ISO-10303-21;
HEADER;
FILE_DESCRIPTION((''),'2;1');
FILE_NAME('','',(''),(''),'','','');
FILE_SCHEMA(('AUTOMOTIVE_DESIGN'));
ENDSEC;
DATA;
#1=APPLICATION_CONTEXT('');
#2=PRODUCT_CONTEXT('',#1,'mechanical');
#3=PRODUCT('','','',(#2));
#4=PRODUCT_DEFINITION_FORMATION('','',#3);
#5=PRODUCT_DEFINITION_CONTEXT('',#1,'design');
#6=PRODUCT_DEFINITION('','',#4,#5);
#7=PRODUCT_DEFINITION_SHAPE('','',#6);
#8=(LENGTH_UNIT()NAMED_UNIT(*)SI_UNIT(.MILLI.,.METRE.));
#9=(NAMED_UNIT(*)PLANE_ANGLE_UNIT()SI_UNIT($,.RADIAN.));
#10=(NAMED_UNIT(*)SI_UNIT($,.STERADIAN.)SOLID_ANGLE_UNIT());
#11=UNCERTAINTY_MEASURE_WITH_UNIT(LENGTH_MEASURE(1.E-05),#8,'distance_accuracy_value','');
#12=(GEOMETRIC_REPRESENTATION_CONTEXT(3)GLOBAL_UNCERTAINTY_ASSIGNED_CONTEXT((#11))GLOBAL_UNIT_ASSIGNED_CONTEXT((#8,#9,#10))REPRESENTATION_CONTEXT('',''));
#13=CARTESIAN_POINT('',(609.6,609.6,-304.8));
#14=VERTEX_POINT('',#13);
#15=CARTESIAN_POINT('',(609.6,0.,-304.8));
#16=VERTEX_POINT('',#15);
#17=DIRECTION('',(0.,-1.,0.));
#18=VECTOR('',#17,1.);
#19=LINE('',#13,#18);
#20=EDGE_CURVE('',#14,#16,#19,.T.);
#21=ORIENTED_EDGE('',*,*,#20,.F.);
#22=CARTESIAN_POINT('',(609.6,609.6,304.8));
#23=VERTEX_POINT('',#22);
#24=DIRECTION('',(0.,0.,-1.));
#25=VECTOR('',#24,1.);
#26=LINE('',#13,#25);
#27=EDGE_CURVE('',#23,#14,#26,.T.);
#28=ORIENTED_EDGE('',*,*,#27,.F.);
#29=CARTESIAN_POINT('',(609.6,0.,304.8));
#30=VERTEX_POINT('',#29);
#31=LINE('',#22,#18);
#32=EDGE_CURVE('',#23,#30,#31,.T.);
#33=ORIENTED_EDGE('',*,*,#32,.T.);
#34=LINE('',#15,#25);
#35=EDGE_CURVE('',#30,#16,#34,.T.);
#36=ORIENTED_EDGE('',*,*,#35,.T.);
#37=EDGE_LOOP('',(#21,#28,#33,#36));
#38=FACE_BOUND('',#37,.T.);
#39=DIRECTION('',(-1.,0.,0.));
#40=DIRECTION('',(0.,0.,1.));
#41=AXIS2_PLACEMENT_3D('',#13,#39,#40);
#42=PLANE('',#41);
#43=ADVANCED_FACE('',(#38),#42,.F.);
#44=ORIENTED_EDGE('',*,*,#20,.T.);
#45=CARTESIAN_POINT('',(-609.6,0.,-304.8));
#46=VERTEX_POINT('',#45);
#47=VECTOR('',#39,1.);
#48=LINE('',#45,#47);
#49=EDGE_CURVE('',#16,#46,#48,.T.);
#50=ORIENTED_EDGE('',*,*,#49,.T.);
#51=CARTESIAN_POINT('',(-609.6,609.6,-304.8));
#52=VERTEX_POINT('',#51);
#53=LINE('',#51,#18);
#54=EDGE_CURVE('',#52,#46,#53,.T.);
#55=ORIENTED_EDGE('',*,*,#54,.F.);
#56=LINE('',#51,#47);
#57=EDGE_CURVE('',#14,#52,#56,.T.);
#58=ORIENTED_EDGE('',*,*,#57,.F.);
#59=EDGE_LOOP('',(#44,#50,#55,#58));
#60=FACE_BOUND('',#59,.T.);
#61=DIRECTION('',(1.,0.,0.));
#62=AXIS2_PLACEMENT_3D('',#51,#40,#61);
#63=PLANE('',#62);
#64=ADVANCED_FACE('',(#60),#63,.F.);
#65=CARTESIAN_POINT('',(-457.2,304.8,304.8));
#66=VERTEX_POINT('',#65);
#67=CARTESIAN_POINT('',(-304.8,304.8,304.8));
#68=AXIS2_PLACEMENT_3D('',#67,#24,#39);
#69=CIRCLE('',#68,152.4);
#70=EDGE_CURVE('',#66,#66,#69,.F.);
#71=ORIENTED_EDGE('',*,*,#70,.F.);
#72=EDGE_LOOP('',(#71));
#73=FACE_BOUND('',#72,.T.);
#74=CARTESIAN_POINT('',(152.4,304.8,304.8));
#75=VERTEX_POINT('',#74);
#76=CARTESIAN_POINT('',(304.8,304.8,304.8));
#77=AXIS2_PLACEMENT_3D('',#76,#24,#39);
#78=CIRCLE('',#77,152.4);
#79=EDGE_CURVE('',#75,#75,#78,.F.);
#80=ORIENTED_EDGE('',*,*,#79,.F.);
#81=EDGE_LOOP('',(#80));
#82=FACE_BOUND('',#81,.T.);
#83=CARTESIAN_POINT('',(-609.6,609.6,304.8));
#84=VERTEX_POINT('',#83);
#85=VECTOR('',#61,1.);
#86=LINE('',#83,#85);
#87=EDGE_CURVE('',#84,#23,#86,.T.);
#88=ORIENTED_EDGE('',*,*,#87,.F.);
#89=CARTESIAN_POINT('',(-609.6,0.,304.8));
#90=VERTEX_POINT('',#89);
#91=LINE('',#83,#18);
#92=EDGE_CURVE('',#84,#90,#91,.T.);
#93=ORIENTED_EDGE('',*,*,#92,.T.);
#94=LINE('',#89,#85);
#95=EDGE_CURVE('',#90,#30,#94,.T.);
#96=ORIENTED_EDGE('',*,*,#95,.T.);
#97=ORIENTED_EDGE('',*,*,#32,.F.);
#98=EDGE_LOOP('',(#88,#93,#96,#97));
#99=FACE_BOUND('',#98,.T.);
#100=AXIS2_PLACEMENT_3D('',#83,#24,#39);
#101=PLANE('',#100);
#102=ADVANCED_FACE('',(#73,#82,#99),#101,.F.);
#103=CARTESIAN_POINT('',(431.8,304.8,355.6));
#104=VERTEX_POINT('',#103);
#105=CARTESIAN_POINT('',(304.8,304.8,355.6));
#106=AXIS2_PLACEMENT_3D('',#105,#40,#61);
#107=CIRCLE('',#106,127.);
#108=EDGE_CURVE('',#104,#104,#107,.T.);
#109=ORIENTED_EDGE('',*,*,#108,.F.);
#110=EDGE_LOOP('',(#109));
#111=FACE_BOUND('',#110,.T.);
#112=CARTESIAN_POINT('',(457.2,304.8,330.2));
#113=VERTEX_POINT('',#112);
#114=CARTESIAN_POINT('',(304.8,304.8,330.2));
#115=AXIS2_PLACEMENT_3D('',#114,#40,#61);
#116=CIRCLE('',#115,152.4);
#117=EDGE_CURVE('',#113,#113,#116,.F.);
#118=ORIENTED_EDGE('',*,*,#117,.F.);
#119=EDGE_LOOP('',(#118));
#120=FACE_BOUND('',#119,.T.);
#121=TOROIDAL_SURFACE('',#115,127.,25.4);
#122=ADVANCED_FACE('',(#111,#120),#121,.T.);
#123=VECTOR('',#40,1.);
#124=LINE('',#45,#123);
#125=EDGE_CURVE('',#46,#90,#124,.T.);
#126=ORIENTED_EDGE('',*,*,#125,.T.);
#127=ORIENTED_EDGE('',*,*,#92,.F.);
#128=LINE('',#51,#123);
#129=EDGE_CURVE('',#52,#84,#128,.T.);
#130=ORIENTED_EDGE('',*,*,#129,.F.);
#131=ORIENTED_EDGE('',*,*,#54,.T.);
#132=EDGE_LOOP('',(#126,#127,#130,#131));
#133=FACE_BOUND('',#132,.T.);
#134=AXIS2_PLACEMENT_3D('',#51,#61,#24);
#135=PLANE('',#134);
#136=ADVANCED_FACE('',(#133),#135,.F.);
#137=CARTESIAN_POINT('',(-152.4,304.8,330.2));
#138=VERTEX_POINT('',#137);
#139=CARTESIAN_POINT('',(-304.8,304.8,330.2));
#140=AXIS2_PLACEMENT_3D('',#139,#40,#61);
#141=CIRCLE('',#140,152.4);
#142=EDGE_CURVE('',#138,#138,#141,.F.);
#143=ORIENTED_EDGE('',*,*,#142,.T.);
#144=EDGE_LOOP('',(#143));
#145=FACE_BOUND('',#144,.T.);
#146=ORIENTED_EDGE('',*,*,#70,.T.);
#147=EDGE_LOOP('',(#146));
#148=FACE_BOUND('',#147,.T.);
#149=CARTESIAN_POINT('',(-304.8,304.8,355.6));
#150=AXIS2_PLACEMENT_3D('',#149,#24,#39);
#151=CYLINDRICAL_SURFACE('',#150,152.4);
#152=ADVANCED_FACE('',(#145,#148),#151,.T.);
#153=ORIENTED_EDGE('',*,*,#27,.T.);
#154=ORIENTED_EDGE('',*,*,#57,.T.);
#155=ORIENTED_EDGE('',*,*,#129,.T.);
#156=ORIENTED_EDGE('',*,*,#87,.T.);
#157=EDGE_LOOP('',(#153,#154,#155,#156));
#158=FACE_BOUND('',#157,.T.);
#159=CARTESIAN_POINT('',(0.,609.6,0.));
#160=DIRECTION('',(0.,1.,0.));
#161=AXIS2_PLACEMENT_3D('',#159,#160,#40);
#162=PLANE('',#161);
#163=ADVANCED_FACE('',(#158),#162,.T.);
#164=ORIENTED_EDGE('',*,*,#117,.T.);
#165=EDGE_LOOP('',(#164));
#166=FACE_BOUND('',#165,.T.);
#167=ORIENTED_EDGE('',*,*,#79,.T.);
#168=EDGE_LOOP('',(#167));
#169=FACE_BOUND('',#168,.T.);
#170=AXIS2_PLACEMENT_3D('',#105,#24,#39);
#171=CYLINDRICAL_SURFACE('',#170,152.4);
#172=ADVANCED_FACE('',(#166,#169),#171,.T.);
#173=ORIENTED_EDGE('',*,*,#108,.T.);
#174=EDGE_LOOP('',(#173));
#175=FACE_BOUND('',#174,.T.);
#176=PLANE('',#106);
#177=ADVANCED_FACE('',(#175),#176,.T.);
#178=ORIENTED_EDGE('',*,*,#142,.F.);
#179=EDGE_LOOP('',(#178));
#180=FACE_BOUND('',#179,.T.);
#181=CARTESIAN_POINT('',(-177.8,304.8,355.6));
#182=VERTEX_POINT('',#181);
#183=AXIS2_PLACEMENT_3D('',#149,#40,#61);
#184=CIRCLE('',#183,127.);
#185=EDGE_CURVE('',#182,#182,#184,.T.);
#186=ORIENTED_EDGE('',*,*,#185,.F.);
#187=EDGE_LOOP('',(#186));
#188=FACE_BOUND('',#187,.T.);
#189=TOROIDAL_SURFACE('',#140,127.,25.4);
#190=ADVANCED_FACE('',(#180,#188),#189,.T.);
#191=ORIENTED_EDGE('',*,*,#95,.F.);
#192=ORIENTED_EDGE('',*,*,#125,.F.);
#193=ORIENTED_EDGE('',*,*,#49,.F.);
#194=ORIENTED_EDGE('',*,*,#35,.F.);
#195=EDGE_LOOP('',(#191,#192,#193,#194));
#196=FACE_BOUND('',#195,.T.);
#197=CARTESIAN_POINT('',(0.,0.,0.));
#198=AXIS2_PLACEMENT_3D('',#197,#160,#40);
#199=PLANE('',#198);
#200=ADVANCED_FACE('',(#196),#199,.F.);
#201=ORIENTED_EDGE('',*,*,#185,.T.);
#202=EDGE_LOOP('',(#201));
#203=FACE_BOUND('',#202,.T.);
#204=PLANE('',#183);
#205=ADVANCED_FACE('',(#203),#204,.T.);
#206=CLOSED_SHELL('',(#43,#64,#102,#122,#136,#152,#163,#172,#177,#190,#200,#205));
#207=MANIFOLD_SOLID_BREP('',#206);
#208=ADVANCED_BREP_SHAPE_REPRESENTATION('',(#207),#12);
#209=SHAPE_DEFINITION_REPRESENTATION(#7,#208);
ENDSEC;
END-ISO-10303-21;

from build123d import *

# Parameters (mm, degrees)
SKETCH1_W           = 1219.2
SKETCH1_H           = 609.6
BOSS_EXTRUDE1_DEPTH = 609.6
SKETCH2_R           = 152.4
BOSS_EXTRUDE2_DEPTH = 50.8
FILLET1_R           = 25.4


with BuildPart() as part:
    # Sketch1 → Boss-Extrude1 (new body)
    with BuildSketch(Plane(origin=(0, 0, 0), x_dir=(1, 0, 0), z_dir=(0, 1, 0))):
        Rectangle(SKETCH1_W, SKETCH1_H)
    extrude(amount=BOSS_EXTRUDE1_DEPTH)

    # Sketch2 → Boss-Extrude2 (add)
    with BuildSketch(Plane.XY.offset(304.8)):
        with Locations(Location((-304.8, 304.8, 0), (0, 0, 180))):
            Circle(SKETCH2_R)
        with Locations(Location((304.8, 304.8, 0), (0, 0, 180))):
            Circle(SKETCH2_R)
    extrude(amount=BOSS_EXTRUDE2_DEPTH)

    # Fillet1
    fillet1_edges = [part.edges().sort_by_distance(p)[0] for p in [
        (-152.4, 304.8, 355.6),
        (457.2, 304.8, 355.6),
    ]]
    fillet(fillet1_edges, radius=FILLET1_R)


solid = part.part
